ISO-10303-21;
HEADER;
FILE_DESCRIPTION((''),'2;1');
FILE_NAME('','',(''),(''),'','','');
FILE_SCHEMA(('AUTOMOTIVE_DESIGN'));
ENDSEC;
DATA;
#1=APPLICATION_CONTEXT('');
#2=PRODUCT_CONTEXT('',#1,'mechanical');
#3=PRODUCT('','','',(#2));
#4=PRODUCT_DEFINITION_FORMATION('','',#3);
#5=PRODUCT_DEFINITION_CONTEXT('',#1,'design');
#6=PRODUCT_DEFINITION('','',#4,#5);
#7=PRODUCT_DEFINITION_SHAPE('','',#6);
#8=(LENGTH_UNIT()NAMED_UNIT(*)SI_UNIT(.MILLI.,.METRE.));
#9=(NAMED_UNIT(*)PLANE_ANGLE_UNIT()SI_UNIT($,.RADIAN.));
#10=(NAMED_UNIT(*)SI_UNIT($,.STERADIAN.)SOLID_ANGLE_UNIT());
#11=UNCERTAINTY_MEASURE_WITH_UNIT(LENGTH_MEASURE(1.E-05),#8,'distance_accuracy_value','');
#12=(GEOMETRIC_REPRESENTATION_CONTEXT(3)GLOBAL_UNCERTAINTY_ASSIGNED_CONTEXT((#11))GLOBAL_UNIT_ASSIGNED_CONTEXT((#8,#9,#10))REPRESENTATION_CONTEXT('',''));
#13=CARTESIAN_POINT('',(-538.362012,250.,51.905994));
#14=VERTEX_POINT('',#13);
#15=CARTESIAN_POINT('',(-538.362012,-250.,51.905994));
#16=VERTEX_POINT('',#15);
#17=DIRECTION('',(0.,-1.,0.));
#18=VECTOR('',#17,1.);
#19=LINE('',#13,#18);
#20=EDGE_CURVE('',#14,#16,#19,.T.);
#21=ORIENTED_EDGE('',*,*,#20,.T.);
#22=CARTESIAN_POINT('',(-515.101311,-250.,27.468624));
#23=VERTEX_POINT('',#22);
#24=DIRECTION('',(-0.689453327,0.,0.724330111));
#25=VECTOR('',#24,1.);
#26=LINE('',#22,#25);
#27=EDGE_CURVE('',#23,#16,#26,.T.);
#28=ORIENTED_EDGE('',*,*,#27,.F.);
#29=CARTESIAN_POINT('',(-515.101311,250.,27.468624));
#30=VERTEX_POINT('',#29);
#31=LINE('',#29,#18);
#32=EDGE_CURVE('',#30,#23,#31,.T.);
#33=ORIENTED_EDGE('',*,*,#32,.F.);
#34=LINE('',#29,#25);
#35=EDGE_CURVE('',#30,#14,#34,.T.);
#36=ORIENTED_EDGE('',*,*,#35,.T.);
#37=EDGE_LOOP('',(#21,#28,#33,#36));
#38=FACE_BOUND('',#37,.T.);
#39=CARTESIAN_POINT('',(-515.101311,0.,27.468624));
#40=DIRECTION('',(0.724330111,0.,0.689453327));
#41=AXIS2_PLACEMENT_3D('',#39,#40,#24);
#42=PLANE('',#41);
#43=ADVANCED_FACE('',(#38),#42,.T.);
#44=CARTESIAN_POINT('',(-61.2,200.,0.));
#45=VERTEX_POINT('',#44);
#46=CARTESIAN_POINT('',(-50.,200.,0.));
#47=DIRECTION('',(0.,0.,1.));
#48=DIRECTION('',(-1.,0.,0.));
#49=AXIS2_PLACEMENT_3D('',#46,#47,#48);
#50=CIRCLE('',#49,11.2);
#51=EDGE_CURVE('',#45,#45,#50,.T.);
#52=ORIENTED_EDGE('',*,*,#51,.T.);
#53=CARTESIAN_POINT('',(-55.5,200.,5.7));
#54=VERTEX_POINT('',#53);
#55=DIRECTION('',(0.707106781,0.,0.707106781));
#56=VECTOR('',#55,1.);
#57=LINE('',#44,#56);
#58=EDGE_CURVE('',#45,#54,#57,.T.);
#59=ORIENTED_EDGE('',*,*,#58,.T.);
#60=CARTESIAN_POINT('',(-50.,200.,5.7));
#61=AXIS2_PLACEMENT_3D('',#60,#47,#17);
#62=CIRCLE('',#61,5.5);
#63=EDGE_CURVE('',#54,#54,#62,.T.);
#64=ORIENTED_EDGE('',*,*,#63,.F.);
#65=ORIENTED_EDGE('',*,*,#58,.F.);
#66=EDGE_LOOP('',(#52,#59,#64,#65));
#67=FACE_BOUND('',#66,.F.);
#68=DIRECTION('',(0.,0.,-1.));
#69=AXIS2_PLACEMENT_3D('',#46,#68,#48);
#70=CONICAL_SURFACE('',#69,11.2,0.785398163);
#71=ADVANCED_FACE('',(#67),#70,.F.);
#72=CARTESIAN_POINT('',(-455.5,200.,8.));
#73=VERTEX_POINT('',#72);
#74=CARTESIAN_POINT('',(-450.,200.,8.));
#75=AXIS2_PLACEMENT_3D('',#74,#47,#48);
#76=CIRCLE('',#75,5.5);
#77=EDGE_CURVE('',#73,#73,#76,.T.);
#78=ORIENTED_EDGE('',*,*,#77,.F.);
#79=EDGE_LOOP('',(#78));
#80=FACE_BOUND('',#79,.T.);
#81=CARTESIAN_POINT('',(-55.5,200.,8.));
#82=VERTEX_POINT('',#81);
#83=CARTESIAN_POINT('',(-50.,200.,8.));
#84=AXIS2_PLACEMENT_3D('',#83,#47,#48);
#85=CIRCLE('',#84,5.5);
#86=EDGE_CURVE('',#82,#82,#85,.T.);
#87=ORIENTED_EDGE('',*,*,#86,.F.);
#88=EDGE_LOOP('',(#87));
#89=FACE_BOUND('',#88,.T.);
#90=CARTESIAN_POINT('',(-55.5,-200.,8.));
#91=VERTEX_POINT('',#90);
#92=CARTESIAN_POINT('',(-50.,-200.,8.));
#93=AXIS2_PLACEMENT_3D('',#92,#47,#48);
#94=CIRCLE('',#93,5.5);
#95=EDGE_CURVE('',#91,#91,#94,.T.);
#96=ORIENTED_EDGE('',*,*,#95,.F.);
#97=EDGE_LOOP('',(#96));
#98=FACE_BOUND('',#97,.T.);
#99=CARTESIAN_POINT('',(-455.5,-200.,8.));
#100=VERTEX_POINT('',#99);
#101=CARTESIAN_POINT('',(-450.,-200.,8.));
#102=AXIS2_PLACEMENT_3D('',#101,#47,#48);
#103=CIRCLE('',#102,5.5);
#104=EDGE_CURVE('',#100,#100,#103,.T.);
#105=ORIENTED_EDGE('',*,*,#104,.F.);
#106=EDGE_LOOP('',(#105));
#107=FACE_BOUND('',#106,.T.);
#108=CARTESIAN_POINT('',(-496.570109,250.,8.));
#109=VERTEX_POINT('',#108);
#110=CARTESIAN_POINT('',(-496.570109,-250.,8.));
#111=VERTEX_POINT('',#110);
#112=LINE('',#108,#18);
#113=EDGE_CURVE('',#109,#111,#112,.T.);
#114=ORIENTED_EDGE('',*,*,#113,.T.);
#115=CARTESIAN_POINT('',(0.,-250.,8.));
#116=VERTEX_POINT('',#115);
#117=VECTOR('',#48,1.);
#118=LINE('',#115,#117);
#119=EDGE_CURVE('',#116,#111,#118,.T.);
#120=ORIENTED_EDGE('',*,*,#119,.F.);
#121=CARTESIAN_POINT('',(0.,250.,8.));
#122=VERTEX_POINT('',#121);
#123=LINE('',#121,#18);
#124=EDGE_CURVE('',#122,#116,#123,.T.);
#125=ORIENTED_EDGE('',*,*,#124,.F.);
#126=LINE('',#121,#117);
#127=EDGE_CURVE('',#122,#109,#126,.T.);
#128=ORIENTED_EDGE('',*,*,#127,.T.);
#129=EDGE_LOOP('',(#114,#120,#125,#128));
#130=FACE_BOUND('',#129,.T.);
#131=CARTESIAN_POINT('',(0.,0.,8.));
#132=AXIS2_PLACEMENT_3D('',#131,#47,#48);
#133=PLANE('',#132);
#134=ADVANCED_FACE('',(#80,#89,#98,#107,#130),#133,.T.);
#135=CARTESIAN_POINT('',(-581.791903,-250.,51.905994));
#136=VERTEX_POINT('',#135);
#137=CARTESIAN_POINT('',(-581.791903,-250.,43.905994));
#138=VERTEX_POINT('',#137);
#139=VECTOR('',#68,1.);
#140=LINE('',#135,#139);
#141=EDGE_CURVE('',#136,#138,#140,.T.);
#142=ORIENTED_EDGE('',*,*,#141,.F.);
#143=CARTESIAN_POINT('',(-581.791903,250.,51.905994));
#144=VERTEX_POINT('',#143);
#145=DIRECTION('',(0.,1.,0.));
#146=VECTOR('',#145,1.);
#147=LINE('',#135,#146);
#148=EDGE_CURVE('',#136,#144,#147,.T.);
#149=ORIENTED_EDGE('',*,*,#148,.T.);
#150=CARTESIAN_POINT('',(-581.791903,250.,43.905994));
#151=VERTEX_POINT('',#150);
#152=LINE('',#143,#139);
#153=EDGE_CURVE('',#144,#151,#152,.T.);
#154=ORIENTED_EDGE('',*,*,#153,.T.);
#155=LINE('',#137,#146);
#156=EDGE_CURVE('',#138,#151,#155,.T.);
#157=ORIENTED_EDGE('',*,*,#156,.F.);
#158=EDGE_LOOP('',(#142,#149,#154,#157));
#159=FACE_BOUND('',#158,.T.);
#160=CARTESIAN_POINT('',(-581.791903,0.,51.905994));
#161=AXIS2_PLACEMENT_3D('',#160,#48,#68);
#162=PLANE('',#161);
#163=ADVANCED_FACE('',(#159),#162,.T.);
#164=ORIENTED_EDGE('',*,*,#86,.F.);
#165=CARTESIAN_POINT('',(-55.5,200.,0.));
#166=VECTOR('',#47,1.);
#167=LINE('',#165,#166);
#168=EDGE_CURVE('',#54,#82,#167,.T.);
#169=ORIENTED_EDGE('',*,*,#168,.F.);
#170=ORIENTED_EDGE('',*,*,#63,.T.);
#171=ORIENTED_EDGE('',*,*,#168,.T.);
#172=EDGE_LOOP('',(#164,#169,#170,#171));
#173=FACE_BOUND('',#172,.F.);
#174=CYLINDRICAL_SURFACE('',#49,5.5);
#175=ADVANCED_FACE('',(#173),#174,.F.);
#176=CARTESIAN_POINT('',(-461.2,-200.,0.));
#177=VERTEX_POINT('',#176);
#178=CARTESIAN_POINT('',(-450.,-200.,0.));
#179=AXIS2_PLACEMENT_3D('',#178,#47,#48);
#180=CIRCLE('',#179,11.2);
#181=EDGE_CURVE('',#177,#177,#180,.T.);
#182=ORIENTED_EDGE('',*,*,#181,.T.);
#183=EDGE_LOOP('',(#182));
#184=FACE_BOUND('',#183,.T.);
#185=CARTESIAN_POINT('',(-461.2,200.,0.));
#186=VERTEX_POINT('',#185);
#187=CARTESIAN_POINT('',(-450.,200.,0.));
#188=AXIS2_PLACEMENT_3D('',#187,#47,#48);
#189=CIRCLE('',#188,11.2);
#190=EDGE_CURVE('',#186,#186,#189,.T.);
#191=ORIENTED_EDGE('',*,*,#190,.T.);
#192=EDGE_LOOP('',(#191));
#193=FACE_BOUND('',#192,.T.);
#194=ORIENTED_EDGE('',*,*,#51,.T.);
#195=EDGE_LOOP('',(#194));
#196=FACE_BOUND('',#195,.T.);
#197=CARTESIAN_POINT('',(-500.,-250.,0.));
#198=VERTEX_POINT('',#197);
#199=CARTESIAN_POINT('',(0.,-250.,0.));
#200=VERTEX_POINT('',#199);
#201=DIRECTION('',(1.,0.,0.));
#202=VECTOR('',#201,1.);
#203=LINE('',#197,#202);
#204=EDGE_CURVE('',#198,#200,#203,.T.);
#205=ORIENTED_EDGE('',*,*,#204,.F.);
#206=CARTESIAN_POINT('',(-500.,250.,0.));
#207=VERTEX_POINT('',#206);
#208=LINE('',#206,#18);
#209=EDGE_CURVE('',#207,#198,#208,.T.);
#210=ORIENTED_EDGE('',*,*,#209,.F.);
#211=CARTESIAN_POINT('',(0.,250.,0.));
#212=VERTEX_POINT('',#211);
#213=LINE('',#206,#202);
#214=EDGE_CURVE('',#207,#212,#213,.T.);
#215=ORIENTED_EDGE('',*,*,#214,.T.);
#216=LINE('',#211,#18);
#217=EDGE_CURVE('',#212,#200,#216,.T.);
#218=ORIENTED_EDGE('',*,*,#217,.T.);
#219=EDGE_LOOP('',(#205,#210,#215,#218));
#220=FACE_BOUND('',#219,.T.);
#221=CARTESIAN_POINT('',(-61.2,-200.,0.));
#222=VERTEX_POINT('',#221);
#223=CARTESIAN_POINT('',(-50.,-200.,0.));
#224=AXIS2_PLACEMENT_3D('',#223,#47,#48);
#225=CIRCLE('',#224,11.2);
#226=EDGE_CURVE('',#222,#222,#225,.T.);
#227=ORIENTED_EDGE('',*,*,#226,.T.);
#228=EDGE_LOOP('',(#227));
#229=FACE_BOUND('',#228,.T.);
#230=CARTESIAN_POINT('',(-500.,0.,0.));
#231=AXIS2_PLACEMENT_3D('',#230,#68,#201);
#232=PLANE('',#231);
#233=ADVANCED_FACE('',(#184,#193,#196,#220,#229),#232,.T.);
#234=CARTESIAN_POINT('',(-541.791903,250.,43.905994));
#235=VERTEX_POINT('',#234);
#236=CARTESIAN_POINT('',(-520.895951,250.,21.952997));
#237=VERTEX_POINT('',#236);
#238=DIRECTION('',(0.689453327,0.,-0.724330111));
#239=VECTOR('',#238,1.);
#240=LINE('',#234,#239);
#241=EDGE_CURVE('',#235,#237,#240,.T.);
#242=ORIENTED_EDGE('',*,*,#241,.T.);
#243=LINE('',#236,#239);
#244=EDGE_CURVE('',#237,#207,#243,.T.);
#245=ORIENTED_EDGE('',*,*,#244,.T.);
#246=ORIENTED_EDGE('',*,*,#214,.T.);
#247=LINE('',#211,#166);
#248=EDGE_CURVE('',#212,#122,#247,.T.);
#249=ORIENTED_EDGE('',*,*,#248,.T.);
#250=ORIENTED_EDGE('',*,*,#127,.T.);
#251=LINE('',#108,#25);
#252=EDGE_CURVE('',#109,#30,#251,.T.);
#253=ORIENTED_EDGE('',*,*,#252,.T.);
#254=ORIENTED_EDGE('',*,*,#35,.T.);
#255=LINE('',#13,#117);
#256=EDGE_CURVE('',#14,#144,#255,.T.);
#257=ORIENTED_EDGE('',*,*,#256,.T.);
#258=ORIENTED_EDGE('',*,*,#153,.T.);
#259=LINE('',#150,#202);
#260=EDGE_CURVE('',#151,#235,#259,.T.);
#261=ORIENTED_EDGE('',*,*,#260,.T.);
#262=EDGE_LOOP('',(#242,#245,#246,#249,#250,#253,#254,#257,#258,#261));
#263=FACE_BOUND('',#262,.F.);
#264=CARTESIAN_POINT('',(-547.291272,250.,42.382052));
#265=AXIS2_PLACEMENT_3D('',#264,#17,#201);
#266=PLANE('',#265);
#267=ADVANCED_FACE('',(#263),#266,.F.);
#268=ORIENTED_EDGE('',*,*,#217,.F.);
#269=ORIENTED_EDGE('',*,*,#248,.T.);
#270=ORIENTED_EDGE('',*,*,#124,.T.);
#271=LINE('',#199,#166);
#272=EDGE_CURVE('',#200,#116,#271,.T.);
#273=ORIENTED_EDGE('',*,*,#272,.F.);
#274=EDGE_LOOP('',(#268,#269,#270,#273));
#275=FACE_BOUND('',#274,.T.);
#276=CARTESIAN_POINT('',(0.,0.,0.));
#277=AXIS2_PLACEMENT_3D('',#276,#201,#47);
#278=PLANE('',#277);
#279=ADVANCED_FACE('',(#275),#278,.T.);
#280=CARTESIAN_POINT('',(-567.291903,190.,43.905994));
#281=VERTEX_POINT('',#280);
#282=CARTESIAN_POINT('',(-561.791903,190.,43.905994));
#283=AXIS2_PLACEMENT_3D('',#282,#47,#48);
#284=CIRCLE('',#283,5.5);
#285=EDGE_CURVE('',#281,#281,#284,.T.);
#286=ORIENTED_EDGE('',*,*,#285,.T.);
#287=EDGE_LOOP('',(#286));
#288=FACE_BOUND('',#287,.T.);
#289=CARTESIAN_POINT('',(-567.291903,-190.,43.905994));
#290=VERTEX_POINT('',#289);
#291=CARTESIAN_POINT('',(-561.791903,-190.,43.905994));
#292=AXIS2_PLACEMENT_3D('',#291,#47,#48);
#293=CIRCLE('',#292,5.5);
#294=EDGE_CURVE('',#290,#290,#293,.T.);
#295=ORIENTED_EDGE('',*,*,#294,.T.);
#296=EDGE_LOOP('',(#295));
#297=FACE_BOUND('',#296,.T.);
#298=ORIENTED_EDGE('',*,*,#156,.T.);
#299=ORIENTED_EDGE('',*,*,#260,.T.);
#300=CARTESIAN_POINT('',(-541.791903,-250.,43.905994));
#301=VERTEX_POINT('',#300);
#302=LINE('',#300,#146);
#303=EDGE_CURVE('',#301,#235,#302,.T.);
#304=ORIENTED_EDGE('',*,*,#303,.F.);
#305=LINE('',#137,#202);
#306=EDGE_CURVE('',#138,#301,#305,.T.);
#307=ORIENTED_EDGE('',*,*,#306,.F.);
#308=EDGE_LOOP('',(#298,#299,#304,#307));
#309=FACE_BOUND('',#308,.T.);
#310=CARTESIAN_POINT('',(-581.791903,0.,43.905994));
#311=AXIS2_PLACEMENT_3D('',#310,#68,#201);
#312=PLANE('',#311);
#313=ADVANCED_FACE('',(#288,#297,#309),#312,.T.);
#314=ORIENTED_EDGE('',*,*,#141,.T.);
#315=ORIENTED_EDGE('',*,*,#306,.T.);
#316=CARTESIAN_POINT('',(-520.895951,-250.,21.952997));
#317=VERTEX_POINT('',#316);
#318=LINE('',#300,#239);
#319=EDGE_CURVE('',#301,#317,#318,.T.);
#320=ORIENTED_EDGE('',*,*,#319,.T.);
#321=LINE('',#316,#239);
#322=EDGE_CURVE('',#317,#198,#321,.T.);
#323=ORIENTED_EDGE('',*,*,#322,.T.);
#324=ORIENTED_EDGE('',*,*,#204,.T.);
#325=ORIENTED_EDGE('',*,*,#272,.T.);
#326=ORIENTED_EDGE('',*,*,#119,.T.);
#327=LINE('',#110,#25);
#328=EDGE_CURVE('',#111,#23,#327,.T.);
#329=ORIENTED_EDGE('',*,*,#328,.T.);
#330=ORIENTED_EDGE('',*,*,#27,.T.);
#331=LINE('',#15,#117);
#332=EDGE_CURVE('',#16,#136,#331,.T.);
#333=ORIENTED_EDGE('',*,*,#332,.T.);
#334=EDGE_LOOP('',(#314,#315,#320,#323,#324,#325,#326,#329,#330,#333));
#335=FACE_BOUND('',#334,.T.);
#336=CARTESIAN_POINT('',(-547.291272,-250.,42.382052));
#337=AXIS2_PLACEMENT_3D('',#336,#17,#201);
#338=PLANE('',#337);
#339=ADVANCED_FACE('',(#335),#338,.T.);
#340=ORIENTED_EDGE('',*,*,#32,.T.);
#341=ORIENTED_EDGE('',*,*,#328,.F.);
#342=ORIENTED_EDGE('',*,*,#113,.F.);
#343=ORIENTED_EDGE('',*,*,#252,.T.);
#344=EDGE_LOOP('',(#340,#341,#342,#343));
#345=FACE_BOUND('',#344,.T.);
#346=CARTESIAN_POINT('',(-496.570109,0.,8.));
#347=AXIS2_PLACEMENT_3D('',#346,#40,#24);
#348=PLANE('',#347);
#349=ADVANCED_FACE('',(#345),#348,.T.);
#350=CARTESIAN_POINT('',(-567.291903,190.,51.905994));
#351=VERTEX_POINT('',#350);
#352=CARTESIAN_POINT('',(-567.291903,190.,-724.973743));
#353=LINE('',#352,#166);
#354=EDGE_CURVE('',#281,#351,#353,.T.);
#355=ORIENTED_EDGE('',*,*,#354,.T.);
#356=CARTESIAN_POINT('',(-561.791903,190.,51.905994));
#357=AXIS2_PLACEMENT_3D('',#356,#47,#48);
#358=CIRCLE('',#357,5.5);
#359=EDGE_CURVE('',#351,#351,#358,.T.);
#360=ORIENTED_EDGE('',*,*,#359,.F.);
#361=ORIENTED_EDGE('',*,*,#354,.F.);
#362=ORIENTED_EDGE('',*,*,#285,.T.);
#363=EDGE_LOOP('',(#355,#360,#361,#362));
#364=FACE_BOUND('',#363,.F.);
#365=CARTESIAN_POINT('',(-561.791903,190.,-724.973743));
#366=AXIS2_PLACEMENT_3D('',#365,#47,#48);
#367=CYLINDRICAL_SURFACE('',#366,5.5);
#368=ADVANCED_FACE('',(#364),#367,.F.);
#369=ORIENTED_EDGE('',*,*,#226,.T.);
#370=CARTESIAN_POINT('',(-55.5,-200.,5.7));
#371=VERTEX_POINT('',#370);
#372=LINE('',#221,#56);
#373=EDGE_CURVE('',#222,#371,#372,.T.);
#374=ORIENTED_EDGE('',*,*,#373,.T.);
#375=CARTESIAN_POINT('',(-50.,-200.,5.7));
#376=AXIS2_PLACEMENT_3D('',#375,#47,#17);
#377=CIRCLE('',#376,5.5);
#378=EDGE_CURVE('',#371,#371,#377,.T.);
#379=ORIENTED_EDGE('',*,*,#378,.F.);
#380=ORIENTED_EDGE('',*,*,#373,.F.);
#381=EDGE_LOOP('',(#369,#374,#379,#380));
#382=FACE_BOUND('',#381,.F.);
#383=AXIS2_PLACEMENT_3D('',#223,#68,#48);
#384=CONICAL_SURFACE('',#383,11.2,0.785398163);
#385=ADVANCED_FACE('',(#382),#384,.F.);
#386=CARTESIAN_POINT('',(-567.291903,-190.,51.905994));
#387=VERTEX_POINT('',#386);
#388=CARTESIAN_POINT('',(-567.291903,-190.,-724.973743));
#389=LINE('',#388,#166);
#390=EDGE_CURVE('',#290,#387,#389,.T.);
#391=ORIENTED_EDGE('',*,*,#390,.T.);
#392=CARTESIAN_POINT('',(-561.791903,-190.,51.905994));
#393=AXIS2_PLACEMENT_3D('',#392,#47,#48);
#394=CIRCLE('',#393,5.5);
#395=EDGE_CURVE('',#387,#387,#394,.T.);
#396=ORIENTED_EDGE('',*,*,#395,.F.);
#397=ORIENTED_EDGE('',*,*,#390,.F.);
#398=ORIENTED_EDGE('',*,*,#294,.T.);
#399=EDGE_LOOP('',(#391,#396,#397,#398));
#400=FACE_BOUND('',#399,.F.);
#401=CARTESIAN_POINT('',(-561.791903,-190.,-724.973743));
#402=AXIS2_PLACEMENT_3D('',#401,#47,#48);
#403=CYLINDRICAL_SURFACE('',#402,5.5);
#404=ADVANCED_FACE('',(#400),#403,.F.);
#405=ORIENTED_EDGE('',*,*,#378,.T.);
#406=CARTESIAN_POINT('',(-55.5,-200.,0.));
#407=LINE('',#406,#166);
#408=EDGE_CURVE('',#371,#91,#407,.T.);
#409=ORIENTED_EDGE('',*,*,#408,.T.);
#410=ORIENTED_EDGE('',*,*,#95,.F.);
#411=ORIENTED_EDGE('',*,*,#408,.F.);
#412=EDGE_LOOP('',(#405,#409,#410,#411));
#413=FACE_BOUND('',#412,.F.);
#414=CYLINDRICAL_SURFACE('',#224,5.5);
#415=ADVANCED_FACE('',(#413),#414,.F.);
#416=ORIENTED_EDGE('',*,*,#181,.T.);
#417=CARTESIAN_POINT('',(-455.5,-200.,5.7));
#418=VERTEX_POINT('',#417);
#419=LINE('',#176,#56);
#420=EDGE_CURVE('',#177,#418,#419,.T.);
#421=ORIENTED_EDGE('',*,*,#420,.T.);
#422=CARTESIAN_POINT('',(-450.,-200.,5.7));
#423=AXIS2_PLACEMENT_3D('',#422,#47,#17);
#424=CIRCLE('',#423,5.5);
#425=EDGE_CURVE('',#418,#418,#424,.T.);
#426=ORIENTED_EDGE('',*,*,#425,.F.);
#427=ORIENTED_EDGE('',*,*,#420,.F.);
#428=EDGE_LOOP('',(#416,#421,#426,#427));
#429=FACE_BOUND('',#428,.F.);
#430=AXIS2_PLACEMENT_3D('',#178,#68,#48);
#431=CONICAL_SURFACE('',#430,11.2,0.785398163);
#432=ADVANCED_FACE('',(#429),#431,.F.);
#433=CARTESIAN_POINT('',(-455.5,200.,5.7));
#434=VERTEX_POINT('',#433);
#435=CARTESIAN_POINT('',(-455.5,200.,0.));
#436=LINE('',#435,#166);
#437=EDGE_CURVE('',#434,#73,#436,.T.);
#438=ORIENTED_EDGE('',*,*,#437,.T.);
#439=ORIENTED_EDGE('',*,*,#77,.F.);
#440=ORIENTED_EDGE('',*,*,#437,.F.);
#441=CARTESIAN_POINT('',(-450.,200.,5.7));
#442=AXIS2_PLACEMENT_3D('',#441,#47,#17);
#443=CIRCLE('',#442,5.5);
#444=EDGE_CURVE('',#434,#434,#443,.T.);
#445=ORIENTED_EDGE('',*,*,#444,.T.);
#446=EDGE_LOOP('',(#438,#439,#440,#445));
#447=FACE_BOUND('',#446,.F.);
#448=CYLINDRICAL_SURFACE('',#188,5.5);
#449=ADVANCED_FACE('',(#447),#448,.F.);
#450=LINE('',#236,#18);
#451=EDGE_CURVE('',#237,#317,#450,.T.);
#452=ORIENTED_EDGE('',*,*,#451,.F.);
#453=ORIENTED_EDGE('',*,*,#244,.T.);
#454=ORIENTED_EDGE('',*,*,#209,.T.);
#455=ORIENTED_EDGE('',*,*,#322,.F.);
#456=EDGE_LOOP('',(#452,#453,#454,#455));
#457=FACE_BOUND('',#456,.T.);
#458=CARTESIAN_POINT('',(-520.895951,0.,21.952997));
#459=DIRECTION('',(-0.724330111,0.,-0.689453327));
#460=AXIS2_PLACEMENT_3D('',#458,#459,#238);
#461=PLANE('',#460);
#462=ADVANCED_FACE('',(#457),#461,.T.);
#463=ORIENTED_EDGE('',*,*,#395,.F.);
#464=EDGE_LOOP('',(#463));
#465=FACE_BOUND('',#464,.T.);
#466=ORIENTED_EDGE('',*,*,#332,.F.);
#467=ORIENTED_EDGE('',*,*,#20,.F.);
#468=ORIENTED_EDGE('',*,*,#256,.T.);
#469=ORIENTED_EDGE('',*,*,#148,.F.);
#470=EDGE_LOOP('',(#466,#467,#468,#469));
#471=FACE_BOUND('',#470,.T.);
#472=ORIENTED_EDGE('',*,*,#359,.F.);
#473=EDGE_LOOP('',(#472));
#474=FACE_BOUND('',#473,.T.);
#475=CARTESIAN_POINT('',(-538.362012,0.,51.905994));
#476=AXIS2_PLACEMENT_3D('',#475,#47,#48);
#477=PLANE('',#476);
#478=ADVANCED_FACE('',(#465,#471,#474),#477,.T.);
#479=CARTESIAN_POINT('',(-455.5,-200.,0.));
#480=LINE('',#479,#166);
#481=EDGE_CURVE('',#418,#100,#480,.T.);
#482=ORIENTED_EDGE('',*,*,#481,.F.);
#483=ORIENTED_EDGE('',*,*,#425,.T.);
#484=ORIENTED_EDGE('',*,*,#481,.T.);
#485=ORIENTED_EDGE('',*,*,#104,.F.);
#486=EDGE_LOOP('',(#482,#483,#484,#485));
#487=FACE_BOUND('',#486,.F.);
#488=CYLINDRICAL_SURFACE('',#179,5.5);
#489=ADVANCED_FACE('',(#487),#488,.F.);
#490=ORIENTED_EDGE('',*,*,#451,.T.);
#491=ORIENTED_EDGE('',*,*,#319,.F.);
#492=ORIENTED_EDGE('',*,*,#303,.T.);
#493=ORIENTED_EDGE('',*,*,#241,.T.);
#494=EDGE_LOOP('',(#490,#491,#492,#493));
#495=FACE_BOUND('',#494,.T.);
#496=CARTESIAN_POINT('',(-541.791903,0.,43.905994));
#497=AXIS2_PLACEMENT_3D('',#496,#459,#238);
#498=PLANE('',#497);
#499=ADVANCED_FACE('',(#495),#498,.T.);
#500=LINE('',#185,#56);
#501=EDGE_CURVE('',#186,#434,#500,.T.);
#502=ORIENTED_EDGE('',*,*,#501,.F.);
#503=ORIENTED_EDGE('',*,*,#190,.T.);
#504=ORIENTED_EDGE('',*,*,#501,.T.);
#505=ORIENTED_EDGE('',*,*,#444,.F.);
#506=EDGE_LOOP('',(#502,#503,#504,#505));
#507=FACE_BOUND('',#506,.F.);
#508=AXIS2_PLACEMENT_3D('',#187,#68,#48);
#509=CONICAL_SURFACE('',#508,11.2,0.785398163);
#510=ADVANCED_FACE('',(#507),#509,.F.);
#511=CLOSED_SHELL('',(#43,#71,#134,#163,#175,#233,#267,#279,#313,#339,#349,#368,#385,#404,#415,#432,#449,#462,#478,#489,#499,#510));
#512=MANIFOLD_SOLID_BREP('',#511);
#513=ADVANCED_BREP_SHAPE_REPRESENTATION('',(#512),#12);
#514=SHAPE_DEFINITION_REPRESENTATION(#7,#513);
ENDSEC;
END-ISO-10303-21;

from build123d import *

# Parameters (mm, degrees)
F1_DEPTH       = 250
F3_D           = 11
F3_CSINK_D     = 22.4
F3_CSINK_ANGLE = 90
F5_D           = 11


with BuildPart() as f1:
    # F0 (on Front) → F1 (new body, symmetric)
    with BuildSketch(Plane.XZ):
        Polygon((-541.7919028829, 43.9059940034), (-520.8959514415, 21.9529970017), (-515.1013105541, 27.4686236195), (-538.3620118087, 51.9059940034), (-581.7919028829, 51.9059940034), (-581.7919028829, 43.9059940034), align=None)
        Polygon((-500, 0), (0, 0), (0, 8), (-496.5701089258, 8), (-515.1013105541, 27.4686236195), (-520.8959514415, 21.9529970017), align=None)
    extrude(amount=F1_DEPTH, both=True)

    # F3 (through all)
    with Locations(Plane(origin=(0, 0, 0), x_dir=(1, 0, 0), z_dir=(0, 0, -1))):
        with Locations((-450, 200), (-50, 200), (-50, -200), (-450, -200)):
            CounterSinkHole(F3_D / 2, F3_CSINK_D / 2, counter_sink_angle=F3_CSINK_ANGLE)

    # F5 (through all)
    with Locations(Plane(origin=(0, 0, 43.9059940034), x_dir=(1, 0, 0), z_dir=(0, 0, -1))):
        with Locations((-561.7919028829, 190), (-561.7919028829, -190)):
            Hole(F5_D / 2)


solid = f1.part
